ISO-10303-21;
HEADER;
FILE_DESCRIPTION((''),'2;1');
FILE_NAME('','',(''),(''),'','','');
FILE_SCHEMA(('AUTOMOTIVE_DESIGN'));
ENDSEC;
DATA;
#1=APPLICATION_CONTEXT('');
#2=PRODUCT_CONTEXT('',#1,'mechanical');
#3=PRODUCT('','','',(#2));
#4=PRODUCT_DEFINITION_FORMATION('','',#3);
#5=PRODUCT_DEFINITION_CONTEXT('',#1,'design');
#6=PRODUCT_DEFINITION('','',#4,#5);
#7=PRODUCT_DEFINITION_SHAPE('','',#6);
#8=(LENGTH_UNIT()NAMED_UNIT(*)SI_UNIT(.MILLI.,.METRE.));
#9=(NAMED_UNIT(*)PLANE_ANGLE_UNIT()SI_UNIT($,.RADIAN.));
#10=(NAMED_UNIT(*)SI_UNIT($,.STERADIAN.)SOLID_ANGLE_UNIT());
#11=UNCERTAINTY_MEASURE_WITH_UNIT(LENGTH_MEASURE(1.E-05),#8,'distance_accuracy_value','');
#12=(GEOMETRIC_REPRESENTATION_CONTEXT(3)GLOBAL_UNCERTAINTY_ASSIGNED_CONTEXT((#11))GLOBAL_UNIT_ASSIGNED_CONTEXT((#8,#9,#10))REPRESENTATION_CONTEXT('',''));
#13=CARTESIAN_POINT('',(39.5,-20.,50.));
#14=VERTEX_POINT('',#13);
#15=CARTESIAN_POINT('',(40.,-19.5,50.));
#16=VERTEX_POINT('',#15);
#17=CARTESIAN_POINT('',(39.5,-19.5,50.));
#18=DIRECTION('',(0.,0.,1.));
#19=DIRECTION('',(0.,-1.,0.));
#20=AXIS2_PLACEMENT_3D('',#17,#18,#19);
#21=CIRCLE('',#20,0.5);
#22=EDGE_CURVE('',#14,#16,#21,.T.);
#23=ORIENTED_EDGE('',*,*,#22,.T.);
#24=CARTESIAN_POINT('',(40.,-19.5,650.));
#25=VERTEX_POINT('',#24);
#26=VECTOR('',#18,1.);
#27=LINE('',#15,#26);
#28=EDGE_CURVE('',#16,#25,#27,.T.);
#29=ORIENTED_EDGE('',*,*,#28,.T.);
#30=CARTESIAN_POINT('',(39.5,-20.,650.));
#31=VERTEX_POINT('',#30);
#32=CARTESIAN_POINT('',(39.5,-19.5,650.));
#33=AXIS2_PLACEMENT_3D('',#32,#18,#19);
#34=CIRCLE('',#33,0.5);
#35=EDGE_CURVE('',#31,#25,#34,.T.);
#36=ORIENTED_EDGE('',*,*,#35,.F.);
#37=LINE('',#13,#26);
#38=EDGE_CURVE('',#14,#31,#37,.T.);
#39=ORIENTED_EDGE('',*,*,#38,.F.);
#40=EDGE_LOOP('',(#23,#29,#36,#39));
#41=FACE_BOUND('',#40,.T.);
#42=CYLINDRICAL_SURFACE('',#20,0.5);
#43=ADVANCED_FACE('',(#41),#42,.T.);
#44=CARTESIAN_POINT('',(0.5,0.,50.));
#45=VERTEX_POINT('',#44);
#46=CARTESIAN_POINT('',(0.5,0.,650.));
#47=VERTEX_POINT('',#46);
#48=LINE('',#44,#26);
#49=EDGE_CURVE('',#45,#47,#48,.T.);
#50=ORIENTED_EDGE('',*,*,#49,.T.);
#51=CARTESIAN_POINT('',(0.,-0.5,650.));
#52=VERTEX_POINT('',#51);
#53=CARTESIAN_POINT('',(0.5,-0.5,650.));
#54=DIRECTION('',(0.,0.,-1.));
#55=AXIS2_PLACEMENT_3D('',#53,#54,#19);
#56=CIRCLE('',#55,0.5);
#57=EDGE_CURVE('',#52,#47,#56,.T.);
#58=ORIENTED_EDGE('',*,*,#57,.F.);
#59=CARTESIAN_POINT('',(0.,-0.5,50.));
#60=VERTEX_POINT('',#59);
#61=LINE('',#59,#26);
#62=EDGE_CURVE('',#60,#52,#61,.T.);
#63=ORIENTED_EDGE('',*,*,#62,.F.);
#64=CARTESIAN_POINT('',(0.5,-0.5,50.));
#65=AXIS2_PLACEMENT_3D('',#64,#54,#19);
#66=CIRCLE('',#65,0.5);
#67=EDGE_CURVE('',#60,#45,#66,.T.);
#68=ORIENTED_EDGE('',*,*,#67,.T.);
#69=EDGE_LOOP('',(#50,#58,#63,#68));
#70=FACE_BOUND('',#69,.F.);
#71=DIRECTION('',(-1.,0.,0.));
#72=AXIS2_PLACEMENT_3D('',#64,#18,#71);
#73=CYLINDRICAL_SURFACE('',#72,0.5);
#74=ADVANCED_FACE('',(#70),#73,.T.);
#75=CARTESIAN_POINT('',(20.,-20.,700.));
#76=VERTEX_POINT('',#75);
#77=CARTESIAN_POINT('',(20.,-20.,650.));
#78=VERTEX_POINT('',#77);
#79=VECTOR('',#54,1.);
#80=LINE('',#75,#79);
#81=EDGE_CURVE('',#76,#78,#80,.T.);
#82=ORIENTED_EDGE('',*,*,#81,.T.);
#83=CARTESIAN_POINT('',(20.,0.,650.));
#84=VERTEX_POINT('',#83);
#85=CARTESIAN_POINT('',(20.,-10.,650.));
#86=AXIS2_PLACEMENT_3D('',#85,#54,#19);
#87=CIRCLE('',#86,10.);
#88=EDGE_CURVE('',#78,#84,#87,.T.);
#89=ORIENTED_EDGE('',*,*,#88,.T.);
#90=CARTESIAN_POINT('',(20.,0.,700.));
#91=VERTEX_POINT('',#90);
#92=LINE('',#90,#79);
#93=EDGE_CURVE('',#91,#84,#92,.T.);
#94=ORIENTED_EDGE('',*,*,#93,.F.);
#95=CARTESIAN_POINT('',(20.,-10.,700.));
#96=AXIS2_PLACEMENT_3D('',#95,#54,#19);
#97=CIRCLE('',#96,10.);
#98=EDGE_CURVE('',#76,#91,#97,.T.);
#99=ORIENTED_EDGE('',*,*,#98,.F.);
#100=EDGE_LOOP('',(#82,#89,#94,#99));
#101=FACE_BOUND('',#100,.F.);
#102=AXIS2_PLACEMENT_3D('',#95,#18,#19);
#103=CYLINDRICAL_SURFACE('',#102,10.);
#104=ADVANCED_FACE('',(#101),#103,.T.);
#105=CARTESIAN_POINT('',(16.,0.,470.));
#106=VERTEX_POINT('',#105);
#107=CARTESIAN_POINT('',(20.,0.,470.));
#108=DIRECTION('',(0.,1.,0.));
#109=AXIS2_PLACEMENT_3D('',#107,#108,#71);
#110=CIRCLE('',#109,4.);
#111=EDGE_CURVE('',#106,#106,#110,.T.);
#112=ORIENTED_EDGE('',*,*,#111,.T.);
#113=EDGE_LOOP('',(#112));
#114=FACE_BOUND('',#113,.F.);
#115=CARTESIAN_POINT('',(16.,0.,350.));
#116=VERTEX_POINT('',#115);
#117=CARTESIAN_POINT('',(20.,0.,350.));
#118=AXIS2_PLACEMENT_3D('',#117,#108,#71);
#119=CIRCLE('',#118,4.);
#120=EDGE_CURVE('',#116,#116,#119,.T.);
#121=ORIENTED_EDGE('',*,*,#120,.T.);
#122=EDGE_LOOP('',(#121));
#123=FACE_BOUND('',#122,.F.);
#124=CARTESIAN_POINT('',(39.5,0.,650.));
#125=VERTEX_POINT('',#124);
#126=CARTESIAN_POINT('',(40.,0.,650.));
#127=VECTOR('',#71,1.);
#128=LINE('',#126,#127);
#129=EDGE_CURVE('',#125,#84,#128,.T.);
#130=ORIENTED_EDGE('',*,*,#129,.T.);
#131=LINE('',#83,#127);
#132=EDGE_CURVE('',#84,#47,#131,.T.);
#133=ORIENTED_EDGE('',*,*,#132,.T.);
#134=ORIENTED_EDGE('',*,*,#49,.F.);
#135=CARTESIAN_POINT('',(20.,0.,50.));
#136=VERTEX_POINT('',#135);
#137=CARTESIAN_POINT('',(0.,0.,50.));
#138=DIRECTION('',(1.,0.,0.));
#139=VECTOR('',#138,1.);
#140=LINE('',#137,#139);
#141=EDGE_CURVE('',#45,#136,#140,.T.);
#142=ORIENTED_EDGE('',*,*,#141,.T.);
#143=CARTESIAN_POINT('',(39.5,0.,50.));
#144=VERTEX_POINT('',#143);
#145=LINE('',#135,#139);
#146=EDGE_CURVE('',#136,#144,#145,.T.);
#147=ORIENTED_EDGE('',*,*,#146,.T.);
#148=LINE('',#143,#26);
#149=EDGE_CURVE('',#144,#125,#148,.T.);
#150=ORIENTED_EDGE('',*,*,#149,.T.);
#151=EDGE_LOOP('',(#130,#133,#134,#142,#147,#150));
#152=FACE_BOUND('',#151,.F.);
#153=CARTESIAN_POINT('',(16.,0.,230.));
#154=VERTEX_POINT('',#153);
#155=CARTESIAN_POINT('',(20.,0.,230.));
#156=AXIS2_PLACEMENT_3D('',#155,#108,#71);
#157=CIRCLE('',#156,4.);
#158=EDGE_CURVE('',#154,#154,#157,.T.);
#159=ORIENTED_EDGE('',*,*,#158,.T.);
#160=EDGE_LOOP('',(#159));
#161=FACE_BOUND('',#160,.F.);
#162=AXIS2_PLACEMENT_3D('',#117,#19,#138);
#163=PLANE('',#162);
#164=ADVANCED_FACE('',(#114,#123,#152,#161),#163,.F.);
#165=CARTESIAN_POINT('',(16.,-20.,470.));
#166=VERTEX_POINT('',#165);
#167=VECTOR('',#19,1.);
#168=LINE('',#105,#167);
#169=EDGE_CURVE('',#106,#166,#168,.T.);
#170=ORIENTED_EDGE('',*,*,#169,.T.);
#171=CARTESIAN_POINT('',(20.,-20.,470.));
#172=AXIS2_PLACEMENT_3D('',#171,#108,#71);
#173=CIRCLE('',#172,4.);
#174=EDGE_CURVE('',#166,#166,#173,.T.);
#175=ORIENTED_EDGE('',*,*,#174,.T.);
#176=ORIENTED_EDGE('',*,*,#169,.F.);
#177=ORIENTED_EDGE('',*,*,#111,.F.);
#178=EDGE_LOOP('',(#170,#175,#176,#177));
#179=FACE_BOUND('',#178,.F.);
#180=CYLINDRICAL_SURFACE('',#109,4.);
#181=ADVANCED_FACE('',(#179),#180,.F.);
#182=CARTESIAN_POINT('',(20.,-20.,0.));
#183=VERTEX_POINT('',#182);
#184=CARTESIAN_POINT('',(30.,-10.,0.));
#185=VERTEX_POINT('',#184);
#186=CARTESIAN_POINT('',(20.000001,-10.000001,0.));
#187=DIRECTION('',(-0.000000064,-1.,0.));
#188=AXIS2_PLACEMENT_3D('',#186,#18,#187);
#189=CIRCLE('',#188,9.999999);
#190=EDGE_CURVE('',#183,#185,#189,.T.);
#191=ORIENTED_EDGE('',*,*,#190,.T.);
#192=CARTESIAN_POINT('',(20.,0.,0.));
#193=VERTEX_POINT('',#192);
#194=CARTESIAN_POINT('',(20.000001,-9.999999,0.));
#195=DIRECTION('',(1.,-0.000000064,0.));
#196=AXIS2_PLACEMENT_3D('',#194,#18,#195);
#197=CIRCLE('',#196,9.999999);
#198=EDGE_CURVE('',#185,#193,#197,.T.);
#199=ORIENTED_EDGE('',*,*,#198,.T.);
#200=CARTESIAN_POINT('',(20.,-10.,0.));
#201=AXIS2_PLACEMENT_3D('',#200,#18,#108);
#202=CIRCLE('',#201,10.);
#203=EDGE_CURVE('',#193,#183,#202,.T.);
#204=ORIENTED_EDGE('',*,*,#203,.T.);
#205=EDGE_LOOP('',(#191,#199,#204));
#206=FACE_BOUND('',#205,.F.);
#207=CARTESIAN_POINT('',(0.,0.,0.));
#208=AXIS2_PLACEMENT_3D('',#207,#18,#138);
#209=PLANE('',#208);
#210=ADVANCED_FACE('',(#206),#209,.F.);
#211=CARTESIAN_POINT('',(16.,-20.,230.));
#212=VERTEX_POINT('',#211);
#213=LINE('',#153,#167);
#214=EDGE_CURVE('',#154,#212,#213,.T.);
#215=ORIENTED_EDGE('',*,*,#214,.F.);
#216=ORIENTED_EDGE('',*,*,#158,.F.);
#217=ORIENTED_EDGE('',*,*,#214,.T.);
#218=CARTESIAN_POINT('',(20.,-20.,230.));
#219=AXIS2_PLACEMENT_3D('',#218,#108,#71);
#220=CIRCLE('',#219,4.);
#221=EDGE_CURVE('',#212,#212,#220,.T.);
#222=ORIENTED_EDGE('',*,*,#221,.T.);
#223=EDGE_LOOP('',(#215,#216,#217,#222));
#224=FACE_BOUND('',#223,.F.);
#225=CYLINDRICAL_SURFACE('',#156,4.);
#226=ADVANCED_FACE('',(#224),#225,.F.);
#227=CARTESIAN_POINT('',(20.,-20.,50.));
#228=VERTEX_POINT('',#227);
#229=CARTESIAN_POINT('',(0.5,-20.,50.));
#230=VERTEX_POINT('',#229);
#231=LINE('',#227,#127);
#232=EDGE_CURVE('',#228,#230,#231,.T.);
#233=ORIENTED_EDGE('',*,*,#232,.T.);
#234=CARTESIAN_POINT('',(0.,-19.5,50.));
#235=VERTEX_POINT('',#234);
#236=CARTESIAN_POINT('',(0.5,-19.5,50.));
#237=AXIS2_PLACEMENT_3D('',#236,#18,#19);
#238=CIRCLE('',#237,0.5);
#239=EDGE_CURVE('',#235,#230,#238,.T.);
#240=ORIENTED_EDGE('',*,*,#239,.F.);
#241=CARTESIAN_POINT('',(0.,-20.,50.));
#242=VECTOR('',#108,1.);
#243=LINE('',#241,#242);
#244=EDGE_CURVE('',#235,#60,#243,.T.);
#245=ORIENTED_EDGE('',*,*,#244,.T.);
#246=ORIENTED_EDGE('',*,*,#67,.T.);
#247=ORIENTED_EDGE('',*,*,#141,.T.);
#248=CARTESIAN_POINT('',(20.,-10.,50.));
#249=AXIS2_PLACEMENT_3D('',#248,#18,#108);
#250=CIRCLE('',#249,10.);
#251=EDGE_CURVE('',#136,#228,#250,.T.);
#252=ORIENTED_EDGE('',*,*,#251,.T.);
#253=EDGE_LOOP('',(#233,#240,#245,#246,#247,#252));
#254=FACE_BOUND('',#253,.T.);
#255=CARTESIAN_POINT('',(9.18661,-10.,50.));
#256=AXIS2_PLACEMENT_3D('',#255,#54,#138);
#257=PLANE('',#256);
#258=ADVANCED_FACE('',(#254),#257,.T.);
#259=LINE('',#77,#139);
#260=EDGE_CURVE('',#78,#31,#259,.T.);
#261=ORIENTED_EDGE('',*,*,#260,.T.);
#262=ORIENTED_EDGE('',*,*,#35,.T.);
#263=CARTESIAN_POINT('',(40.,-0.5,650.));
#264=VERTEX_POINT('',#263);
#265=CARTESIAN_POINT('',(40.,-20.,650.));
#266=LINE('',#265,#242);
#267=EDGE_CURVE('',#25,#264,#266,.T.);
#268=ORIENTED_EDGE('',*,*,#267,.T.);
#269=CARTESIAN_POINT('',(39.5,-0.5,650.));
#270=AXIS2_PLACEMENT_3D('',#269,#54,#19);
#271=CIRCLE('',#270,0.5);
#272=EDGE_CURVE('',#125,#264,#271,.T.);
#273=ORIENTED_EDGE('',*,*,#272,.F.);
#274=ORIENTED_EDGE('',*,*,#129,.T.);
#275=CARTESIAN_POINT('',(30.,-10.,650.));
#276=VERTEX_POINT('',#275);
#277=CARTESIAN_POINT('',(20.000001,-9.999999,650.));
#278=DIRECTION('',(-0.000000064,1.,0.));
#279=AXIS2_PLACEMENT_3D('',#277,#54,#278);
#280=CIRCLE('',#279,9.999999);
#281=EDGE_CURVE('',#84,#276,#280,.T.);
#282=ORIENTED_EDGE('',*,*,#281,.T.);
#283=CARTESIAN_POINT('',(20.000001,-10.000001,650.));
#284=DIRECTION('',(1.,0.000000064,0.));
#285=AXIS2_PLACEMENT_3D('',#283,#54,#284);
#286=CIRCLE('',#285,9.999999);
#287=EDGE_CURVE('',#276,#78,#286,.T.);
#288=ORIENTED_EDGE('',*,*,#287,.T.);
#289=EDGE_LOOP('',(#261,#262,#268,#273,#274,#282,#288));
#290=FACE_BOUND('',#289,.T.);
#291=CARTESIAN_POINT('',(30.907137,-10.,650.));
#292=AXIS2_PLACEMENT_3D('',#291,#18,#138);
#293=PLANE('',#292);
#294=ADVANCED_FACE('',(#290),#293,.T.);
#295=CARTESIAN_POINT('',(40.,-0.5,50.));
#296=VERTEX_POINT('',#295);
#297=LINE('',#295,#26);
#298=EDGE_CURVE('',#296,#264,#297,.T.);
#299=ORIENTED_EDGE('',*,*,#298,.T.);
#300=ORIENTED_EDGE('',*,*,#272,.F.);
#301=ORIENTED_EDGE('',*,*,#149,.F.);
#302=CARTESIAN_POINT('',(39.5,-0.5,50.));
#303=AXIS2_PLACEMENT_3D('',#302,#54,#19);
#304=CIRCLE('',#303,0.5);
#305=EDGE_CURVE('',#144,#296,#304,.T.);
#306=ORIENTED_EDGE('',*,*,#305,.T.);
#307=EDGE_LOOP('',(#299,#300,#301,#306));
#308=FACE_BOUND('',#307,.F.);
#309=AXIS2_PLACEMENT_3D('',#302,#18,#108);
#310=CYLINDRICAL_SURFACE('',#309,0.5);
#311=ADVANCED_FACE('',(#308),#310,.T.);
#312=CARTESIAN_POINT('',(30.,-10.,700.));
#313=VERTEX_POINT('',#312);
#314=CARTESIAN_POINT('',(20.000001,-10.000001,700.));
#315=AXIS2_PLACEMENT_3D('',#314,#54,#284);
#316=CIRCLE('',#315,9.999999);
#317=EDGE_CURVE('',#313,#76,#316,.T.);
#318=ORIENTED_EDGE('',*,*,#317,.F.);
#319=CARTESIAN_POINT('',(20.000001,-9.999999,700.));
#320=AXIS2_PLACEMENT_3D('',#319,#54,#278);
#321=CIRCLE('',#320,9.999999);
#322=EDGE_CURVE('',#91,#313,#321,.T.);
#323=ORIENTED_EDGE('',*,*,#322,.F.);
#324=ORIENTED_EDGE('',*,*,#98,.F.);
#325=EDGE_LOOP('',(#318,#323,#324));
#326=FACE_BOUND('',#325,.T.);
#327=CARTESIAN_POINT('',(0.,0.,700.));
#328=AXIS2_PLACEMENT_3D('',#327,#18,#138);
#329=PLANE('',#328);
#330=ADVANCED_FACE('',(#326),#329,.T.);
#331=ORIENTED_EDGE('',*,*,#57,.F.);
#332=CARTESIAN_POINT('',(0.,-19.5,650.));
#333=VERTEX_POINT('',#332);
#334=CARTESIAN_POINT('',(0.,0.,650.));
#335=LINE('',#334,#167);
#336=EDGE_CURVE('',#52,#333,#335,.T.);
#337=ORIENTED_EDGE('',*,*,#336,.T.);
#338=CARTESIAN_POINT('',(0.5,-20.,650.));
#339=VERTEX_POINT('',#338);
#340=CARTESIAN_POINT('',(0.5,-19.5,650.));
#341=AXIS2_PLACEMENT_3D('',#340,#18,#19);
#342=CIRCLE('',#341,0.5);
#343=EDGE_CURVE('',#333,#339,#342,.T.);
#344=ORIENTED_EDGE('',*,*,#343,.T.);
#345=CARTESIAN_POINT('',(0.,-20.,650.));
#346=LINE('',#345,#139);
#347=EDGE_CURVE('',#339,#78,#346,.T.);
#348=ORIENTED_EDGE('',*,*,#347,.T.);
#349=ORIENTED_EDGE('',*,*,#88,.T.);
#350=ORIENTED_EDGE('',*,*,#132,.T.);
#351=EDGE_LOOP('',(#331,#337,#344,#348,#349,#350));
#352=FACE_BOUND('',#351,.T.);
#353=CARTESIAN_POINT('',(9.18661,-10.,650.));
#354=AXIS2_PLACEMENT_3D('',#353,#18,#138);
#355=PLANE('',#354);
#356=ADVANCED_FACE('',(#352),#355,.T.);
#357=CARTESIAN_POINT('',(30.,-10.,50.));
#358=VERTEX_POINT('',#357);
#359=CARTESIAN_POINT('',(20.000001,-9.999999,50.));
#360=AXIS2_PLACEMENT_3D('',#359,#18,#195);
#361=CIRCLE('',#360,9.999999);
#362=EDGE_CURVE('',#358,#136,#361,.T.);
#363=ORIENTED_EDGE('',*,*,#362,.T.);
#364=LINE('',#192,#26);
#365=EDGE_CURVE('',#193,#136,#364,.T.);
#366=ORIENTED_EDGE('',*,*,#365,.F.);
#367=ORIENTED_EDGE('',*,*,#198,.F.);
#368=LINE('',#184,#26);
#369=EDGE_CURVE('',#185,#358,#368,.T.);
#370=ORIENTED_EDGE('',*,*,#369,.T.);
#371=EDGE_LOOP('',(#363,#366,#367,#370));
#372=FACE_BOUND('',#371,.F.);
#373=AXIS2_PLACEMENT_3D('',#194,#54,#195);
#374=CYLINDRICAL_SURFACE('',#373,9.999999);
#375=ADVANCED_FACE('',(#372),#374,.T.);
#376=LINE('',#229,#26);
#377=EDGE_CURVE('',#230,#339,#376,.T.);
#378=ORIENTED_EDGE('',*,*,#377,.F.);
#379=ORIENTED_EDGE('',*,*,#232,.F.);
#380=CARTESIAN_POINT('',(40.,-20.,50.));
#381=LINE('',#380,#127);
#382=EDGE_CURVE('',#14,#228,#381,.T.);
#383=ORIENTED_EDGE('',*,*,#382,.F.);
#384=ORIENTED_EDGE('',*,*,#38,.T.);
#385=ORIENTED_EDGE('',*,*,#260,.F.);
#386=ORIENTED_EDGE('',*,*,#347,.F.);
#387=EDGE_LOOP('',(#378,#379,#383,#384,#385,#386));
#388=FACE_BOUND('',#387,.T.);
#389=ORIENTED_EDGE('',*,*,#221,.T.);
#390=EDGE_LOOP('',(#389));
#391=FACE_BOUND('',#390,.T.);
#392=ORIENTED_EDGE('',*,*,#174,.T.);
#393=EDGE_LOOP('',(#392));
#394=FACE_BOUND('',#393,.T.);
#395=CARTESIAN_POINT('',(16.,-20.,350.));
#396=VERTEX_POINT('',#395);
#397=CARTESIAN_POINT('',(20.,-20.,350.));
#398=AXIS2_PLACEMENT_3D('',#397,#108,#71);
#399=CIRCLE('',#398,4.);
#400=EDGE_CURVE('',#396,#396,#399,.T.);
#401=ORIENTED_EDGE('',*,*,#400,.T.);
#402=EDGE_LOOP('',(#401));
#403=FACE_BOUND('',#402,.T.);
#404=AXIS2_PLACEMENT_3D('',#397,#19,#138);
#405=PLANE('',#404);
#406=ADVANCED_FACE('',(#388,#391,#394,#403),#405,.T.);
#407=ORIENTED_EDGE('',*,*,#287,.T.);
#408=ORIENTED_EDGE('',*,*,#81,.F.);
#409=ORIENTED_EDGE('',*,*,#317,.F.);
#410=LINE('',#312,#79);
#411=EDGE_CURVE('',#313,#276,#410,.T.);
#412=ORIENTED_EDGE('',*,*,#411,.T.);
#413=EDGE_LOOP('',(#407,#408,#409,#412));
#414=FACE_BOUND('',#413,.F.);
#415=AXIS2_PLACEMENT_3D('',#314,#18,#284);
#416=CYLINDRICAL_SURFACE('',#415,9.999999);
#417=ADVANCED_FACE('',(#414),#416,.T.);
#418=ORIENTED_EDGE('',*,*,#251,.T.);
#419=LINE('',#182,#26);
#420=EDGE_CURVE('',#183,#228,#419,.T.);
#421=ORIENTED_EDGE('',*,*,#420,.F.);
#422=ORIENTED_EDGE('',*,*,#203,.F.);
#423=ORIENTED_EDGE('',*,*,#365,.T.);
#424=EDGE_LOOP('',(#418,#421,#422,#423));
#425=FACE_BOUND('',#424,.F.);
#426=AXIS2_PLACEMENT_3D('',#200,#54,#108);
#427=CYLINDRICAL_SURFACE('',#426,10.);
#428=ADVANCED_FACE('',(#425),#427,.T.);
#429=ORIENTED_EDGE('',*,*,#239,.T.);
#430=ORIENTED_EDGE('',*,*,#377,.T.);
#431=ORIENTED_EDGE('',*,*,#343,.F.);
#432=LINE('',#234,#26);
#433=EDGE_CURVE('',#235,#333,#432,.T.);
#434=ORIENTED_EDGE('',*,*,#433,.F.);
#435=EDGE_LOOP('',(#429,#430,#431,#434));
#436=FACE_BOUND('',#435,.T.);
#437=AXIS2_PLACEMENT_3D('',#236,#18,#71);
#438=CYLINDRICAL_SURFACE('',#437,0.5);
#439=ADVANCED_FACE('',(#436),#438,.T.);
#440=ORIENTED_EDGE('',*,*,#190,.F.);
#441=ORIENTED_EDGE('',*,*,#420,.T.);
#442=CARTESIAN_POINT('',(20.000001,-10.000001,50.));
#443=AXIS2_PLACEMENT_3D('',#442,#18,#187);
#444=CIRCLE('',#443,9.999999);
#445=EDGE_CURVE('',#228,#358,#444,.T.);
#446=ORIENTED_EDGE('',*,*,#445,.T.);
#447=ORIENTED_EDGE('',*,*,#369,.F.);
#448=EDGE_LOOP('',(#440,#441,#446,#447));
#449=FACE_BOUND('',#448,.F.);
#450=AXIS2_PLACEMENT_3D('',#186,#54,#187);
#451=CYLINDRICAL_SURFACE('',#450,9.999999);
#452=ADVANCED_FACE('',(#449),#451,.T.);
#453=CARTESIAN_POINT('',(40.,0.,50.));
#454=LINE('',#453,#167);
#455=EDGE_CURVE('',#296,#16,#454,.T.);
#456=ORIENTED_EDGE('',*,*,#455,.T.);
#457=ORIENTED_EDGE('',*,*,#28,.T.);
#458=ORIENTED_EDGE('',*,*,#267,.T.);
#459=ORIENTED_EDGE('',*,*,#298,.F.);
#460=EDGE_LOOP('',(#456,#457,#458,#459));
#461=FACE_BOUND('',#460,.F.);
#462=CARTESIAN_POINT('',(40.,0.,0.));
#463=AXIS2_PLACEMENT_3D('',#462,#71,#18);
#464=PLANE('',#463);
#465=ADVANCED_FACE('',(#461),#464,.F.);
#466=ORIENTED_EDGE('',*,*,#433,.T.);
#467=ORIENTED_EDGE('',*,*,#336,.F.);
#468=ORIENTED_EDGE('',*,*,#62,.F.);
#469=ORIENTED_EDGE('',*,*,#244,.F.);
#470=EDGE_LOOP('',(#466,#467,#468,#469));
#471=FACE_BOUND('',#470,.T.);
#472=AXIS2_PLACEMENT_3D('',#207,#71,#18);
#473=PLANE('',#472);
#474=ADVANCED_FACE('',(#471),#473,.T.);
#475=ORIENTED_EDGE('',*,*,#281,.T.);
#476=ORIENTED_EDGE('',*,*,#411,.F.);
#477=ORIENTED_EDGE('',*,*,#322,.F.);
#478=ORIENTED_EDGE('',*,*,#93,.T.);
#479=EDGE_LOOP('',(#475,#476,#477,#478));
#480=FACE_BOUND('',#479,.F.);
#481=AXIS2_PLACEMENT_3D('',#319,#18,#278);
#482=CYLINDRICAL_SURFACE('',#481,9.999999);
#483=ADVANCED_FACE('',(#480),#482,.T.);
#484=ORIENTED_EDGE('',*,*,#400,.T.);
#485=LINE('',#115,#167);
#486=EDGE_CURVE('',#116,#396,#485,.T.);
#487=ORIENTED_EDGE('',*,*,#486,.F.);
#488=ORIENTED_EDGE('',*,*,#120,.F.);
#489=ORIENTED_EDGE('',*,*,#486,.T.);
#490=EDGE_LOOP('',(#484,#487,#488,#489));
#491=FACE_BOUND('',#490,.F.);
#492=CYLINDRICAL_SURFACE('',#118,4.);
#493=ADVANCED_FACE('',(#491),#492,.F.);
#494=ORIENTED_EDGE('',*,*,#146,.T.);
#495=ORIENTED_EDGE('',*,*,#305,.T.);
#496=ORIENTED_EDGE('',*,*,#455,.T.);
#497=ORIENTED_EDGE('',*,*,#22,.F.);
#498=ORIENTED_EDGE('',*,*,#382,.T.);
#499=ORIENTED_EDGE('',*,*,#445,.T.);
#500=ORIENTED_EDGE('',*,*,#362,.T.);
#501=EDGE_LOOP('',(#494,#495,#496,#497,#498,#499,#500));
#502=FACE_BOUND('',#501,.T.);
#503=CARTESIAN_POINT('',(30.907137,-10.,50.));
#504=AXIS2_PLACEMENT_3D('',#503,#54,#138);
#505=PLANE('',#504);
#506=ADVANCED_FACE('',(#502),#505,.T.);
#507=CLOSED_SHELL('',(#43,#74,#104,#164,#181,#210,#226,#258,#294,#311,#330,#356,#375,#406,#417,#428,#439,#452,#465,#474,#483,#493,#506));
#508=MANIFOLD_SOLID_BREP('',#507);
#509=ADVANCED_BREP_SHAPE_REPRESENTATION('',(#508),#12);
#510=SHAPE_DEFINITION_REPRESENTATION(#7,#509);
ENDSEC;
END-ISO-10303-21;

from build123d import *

# Parameters (mm, degrees)
F0_W     = 40
F0_H     = 700
F1_DEPTH = 20
F3_DEPTH = 50
F5_DEPTH = 50
F6_R     = 4
F7_DEPTH = 25
F8_R     = 0.5


with BuildPart() as f1:
    # F0 (on Front) → F1 (new body)
    with BuildSketch(Plane.XZ):
        with Locations((20, 350)):
            Rectangle(F0_W, F0_H)
    extrude(amount=F1_DEPTH)

    # F2 (on face) → F3 (cut)
    with BuildSketch(Plane.XY.offset(700)):
        with BuildLine():
            ThreePointArc((20, 0), (27.071068, -2.928932), (30, -10))
            ThreePointArc((30, -10), (27.071068, -17.071068), (20, -20))
            Line((20, -20), (40, -20))
            Line((40, -20), (40, 0))
            Line((40, 0), (20, 0))
        make_face()
        with BuildLine():
            ThreePointArc((20, -20), (10, -10), (20, 0))
            Line((20, 0), (0, 0))
            Line((0, 0), (0, -20))
            Line((0, -20), (20, -20))
        make_face()
    extrude(amount=-F3_DEPTH, mode=Mode.SUBTRACT)

    # F4 (on face) → F5 (cut)
    with BuildSketch(Plane(origin=(0, 0, 0), x_dir=(1, 0, 0), z_dir=(0, 0, -1))):
        with BuildLine():
            ThreePointArc((20, 0), (10, 10), (20, 20))
            Line((20, 20), (0, 20))
            Line((0, 20), (0, 0))
            Line((0, 0), (20, 0))
        make_face()
        with BuildLine():
            ThreePointArc((20, 20), (27.071068, 17.071068), (30, 10))
            ThreePointArc((30, 10), (27.071068, 2.928932), (20, 0))
            Line((20, 0), (40, 0))
            Line((40, 0), (40, 20))
            Line((40, 20), (20, 20))
        make_face()
    extrude(amount=-F5_DEPTH, mode=Mode.SUBTRACT)

    # F6 (on face) → F7 (cut)
    with BuildSketch(Plane(origin=(0, 0, 0), x_dir=(-1, 0, 0), z_dir=(0, 1, 0))):
        with Locations((-20, 470)):
            Circle(F6_R)
        with Locations((-20, 230)):
            Circle(F6_R)
        with Locations((-20, 350)):
            Circle(F6_R)
    extrude(amount=-F7_DEPTH, mode=Mode.SUBTRACT)

    # F8
    f8_edges = [f1.edges().sort_by_distance(p)[0] for p in [
        (0, 0, 350),
        (0, -20, 350),
        (40, 0, 350),
        (40, -20, 350),
    ]]
    fillet(f8_edges, radius=F8_R)


solid = f1.part
